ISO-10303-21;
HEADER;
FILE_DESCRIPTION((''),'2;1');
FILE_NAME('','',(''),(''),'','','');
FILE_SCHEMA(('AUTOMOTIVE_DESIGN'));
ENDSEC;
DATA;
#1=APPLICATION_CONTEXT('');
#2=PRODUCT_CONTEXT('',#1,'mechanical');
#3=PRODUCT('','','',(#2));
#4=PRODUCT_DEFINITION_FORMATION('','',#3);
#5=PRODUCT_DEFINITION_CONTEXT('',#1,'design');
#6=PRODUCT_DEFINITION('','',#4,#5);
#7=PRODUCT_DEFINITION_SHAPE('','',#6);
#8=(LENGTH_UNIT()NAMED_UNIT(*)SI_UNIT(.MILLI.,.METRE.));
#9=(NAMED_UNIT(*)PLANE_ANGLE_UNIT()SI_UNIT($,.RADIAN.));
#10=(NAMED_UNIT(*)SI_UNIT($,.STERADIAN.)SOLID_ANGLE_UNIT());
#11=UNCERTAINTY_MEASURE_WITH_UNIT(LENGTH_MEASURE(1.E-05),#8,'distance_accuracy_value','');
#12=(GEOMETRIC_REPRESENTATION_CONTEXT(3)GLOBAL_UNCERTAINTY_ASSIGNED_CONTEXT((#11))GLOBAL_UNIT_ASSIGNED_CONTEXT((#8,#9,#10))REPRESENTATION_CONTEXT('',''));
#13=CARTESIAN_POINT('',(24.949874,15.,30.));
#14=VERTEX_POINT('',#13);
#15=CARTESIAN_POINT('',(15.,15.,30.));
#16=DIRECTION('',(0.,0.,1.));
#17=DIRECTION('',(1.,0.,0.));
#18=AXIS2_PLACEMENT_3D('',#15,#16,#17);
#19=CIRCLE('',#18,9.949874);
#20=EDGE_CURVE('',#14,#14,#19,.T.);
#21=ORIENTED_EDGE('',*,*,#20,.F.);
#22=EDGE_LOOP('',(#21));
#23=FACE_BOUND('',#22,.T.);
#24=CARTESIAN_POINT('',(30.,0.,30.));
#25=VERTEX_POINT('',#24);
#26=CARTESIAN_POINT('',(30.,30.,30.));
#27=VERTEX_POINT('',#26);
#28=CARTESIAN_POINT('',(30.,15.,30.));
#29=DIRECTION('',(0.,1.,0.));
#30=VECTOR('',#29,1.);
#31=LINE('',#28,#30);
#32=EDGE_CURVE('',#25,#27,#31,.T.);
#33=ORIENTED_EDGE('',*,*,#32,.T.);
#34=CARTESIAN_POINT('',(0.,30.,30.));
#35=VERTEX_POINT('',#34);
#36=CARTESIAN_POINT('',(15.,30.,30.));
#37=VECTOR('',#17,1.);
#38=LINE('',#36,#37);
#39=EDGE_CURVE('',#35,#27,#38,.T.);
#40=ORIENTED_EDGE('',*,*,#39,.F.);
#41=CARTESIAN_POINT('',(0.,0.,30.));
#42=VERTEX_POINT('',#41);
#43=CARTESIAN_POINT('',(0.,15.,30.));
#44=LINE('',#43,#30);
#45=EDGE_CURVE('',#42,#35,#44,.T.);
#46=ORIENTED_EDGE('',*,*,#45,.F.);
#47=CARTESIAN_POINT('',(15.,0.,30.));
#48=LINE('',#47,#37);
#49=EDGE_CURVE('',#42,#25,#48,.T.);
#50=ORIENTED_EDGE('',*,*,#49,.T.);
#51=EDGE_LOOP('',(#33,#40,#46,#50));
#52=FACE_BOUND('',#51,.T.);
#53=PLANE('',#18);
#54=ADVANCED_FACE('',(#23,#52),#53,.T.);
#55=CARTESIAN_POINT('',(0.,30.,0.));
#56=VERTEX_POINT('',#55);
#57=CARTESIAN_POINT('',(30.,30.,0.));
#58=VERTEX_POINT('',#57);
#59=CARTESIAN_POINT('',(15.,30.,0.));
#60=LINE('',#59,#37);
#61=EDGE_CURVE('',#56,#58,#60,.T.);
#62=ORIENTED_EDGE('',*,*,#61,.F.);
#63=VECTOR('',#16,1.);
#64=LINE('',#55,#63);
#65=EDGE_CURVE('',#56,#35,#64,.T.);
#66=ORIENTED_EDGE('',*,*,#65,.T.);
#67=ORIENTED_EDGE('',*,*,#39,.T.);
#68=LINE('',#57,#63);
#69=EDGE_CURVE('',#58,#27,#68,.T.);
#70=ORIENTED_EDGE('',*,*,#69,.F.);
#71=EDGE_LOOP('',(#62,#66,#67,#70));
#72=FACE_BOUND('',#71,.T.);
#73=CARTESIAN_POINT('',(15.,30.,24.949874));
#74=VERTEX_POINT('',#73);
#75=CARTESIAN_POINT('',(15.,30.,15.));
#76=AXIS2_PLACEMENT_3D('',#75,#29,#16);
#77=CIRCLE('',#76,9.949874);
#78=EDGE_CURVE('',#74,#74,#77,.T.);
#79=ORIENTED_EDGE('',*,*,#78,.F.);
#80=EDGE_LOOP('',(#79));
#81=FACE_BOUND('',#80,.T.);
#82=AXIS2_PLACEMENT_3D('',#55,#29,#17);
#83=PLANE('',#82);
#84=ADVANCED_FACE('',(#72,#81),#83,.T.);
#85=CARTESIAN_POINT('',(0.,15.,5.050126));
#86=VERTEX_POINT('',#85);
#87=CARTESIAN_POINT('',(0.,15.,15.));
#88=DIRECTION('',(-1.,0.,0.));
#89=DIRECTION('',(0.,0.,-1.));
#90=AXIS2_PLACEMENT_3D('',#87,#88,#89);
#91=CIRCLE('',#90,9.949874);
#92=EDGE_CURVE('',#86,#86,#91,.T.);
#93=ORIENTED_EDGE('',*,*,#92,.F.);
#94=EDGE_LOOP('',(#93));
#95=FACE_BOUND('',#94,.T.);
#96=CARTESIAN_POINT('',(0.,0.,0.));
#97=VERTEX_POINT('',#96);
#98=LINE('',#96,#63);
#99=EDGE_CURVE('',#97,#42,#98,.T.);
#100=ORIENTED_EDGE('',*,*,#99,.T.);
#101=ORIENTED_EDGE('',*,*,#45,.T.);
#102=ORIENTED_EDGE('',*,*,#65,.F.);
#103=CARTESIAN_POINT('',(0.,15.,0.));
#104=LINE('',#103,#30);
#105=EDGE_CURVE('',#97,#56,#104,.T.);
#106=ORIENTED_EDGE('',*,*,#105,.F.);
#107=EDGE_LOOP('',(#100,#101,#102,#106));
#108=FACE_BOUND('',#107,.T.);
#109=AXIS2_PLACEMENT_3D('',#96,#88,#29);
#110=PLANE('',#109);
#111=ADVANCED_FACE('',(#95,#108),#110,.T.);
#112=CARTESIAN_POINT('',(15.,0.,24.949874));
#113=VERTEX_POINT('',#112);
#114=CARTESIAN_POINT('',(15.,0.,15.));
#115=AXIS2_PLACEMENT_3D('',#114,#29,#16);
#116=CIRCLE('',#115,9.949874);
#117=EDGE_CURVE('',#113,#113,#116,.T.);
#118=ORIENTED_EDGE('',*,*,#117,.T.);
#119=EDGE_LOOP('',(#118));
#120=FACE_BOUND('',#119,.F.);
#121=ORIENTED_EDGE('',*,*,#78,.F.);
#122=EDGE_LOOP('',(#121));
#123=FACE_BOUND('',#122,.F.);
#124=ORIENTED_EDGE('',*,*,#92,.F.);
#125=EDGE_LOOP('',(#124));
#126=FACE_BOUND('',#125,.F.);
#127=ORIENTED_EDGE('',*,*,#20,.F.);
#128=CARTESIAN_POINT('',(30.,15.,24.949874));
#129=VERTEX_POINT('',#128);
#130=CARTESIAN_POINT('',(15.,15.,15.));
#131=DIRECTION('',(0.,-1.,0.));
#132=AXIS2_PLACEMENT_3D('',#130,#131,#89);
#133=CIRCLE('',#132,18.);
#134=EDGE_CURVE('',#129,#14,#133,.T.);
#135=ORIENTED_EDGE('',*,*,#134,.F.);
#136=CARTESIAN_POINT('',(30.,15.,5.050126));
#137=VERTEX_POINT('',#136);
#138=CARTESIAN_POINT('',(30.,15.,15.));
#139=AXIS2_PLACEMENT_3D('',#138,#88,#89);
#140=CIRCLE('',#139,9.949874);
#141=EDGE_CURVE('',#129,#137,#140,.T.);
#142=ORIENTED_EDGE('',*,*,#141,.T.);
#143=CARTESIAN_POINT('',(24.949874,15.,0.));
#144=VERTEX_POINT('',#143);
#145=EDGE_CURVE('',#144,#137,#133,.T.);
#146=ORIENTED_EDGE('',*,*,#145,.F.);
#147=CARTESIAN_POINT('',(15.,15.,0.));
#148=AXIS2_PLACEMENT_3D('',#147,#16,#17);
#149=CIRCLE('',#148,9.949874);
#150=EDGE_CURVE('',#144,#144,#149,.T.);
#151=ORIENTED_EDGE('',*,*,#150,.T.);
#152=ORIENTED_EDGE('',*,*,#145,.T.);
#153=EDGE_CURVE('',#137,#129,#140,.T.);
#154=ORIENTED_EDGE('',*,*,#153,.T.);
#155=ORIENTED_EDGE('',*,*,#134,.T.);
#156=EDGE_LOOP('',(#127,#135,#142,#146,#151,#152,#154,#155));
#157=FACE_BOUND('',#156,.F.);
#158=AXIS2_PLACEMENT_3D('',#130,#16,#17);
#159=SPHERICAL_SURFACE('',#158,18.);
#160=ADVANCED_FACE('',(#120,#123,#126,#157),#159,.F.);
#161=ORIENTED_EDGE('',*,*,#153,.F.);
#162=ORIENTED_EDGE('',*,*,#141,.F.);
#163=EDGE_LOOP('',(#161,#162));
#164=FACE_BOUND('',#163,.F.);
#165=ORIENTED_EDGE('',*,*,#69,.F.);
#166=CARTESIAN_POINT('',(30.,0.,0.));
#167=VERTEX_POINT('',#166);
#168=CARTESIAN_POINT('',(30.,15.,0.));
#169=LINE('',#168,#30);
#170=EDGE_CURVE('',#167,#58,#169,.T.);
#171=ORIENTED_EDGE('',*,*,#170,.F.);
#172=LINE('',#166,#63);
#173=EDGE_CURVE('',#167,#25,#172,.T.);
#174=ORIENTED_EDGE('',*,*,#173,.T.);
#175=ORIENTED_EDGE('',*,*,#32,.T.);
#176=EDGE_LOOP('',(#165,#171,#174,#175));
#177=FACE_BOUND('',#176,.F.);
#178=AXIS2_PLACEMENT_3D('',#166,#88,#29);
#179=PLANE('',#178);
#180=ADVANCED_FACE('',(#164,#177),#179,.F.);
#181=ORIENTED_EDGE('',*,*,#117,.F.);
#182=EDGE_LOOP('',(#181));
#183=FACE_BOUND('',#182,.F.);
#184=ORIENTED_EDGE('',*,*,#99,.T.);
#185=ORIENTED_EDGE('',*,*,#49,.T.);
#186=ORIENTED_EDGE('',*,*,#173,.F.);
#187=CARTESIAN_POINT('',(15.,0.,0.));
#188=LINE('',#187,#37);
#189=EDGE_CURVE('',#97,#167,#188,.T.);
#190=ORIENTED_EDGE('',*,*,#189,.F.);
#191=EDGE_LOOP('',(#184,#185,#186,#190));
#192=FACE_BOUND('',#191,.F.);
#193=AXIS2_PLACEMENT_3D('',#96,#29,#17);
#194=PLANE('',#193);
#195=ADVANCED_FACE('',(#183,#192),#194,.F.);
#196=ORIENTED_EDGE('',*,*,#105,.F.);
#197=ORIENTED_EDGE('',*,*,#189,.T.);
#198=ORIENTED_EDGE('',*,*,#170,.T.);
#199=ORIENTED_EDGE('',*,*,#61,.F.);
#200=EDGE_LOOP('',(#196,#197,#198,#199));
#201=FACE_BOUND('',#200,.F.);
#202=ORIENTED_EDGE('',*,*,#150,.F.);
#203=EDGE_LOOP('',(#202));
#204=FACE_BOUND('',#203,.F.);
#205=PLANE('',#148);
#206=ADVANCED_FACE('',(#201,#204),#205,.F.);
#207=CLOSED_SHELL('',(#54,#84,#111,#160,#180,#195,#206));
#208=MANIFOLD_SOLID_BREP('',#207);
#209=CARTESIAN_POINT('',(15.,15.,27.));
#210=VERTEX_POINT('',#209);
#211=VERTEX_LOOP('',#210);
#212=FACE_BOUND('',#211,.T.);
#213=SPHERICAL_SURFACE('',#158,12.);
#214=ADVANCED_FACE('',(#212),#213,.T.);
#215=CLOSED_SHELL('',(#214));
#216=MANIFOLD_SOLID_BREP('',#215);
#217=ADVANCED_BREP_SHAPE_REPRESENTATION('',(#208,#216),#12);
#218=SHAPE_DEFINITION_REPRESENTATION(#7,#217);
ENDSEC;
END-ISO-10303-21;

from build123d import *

# Parameters (mm, degrees)
BOX_W     = 30
BOX_H     = 30
BOX_DEPTH = 30


with BuildPart() as sphere:
    # Sphere → Sphere (revolve)
    with BuildSketch(Plane(origin=(15, 15, 15), x_dir=(1, 0, 0), z_dir=(0, -1, 0))):
        with BuildLine():
            ThreePointArc((0, -18), (18, 0), (0, 18))
            Line((0, 18), (0, -18))
        make_face()
    revolve(axis=Axis((15, 15, 15), (0, 0, 1)))


with BuildPart() as cut:
    # Box → Box (new body)
    with BuildSketch(Plane.XY):
        with Locations((15, 15)):
            Rectangle(BOX_W, BOX_H)
    extrude(amount=BOX_DEPTH)

    # Cut: cut Sphere
    add(sphere.part, mode=Mode.SUBTRACT)


with BuildPart() as sphere001:
    # Sphere001 → Sphere001 (revolve)
    with BuildSketch(Plane(origin=(15, 15, 15), x_dir=(1, 0, 0), z_dir=(0, -1, 0))):
        with BuildLine():
            ThreePointArc((0, -12), (12, 0), (0, 12))
            Line((0, 12), (0, -12))
        make_face()
    revolve(axis=Axis((15, 15, 15), (0, 0, 1)))


solid = Compound([cut.part, sphere001.part])
